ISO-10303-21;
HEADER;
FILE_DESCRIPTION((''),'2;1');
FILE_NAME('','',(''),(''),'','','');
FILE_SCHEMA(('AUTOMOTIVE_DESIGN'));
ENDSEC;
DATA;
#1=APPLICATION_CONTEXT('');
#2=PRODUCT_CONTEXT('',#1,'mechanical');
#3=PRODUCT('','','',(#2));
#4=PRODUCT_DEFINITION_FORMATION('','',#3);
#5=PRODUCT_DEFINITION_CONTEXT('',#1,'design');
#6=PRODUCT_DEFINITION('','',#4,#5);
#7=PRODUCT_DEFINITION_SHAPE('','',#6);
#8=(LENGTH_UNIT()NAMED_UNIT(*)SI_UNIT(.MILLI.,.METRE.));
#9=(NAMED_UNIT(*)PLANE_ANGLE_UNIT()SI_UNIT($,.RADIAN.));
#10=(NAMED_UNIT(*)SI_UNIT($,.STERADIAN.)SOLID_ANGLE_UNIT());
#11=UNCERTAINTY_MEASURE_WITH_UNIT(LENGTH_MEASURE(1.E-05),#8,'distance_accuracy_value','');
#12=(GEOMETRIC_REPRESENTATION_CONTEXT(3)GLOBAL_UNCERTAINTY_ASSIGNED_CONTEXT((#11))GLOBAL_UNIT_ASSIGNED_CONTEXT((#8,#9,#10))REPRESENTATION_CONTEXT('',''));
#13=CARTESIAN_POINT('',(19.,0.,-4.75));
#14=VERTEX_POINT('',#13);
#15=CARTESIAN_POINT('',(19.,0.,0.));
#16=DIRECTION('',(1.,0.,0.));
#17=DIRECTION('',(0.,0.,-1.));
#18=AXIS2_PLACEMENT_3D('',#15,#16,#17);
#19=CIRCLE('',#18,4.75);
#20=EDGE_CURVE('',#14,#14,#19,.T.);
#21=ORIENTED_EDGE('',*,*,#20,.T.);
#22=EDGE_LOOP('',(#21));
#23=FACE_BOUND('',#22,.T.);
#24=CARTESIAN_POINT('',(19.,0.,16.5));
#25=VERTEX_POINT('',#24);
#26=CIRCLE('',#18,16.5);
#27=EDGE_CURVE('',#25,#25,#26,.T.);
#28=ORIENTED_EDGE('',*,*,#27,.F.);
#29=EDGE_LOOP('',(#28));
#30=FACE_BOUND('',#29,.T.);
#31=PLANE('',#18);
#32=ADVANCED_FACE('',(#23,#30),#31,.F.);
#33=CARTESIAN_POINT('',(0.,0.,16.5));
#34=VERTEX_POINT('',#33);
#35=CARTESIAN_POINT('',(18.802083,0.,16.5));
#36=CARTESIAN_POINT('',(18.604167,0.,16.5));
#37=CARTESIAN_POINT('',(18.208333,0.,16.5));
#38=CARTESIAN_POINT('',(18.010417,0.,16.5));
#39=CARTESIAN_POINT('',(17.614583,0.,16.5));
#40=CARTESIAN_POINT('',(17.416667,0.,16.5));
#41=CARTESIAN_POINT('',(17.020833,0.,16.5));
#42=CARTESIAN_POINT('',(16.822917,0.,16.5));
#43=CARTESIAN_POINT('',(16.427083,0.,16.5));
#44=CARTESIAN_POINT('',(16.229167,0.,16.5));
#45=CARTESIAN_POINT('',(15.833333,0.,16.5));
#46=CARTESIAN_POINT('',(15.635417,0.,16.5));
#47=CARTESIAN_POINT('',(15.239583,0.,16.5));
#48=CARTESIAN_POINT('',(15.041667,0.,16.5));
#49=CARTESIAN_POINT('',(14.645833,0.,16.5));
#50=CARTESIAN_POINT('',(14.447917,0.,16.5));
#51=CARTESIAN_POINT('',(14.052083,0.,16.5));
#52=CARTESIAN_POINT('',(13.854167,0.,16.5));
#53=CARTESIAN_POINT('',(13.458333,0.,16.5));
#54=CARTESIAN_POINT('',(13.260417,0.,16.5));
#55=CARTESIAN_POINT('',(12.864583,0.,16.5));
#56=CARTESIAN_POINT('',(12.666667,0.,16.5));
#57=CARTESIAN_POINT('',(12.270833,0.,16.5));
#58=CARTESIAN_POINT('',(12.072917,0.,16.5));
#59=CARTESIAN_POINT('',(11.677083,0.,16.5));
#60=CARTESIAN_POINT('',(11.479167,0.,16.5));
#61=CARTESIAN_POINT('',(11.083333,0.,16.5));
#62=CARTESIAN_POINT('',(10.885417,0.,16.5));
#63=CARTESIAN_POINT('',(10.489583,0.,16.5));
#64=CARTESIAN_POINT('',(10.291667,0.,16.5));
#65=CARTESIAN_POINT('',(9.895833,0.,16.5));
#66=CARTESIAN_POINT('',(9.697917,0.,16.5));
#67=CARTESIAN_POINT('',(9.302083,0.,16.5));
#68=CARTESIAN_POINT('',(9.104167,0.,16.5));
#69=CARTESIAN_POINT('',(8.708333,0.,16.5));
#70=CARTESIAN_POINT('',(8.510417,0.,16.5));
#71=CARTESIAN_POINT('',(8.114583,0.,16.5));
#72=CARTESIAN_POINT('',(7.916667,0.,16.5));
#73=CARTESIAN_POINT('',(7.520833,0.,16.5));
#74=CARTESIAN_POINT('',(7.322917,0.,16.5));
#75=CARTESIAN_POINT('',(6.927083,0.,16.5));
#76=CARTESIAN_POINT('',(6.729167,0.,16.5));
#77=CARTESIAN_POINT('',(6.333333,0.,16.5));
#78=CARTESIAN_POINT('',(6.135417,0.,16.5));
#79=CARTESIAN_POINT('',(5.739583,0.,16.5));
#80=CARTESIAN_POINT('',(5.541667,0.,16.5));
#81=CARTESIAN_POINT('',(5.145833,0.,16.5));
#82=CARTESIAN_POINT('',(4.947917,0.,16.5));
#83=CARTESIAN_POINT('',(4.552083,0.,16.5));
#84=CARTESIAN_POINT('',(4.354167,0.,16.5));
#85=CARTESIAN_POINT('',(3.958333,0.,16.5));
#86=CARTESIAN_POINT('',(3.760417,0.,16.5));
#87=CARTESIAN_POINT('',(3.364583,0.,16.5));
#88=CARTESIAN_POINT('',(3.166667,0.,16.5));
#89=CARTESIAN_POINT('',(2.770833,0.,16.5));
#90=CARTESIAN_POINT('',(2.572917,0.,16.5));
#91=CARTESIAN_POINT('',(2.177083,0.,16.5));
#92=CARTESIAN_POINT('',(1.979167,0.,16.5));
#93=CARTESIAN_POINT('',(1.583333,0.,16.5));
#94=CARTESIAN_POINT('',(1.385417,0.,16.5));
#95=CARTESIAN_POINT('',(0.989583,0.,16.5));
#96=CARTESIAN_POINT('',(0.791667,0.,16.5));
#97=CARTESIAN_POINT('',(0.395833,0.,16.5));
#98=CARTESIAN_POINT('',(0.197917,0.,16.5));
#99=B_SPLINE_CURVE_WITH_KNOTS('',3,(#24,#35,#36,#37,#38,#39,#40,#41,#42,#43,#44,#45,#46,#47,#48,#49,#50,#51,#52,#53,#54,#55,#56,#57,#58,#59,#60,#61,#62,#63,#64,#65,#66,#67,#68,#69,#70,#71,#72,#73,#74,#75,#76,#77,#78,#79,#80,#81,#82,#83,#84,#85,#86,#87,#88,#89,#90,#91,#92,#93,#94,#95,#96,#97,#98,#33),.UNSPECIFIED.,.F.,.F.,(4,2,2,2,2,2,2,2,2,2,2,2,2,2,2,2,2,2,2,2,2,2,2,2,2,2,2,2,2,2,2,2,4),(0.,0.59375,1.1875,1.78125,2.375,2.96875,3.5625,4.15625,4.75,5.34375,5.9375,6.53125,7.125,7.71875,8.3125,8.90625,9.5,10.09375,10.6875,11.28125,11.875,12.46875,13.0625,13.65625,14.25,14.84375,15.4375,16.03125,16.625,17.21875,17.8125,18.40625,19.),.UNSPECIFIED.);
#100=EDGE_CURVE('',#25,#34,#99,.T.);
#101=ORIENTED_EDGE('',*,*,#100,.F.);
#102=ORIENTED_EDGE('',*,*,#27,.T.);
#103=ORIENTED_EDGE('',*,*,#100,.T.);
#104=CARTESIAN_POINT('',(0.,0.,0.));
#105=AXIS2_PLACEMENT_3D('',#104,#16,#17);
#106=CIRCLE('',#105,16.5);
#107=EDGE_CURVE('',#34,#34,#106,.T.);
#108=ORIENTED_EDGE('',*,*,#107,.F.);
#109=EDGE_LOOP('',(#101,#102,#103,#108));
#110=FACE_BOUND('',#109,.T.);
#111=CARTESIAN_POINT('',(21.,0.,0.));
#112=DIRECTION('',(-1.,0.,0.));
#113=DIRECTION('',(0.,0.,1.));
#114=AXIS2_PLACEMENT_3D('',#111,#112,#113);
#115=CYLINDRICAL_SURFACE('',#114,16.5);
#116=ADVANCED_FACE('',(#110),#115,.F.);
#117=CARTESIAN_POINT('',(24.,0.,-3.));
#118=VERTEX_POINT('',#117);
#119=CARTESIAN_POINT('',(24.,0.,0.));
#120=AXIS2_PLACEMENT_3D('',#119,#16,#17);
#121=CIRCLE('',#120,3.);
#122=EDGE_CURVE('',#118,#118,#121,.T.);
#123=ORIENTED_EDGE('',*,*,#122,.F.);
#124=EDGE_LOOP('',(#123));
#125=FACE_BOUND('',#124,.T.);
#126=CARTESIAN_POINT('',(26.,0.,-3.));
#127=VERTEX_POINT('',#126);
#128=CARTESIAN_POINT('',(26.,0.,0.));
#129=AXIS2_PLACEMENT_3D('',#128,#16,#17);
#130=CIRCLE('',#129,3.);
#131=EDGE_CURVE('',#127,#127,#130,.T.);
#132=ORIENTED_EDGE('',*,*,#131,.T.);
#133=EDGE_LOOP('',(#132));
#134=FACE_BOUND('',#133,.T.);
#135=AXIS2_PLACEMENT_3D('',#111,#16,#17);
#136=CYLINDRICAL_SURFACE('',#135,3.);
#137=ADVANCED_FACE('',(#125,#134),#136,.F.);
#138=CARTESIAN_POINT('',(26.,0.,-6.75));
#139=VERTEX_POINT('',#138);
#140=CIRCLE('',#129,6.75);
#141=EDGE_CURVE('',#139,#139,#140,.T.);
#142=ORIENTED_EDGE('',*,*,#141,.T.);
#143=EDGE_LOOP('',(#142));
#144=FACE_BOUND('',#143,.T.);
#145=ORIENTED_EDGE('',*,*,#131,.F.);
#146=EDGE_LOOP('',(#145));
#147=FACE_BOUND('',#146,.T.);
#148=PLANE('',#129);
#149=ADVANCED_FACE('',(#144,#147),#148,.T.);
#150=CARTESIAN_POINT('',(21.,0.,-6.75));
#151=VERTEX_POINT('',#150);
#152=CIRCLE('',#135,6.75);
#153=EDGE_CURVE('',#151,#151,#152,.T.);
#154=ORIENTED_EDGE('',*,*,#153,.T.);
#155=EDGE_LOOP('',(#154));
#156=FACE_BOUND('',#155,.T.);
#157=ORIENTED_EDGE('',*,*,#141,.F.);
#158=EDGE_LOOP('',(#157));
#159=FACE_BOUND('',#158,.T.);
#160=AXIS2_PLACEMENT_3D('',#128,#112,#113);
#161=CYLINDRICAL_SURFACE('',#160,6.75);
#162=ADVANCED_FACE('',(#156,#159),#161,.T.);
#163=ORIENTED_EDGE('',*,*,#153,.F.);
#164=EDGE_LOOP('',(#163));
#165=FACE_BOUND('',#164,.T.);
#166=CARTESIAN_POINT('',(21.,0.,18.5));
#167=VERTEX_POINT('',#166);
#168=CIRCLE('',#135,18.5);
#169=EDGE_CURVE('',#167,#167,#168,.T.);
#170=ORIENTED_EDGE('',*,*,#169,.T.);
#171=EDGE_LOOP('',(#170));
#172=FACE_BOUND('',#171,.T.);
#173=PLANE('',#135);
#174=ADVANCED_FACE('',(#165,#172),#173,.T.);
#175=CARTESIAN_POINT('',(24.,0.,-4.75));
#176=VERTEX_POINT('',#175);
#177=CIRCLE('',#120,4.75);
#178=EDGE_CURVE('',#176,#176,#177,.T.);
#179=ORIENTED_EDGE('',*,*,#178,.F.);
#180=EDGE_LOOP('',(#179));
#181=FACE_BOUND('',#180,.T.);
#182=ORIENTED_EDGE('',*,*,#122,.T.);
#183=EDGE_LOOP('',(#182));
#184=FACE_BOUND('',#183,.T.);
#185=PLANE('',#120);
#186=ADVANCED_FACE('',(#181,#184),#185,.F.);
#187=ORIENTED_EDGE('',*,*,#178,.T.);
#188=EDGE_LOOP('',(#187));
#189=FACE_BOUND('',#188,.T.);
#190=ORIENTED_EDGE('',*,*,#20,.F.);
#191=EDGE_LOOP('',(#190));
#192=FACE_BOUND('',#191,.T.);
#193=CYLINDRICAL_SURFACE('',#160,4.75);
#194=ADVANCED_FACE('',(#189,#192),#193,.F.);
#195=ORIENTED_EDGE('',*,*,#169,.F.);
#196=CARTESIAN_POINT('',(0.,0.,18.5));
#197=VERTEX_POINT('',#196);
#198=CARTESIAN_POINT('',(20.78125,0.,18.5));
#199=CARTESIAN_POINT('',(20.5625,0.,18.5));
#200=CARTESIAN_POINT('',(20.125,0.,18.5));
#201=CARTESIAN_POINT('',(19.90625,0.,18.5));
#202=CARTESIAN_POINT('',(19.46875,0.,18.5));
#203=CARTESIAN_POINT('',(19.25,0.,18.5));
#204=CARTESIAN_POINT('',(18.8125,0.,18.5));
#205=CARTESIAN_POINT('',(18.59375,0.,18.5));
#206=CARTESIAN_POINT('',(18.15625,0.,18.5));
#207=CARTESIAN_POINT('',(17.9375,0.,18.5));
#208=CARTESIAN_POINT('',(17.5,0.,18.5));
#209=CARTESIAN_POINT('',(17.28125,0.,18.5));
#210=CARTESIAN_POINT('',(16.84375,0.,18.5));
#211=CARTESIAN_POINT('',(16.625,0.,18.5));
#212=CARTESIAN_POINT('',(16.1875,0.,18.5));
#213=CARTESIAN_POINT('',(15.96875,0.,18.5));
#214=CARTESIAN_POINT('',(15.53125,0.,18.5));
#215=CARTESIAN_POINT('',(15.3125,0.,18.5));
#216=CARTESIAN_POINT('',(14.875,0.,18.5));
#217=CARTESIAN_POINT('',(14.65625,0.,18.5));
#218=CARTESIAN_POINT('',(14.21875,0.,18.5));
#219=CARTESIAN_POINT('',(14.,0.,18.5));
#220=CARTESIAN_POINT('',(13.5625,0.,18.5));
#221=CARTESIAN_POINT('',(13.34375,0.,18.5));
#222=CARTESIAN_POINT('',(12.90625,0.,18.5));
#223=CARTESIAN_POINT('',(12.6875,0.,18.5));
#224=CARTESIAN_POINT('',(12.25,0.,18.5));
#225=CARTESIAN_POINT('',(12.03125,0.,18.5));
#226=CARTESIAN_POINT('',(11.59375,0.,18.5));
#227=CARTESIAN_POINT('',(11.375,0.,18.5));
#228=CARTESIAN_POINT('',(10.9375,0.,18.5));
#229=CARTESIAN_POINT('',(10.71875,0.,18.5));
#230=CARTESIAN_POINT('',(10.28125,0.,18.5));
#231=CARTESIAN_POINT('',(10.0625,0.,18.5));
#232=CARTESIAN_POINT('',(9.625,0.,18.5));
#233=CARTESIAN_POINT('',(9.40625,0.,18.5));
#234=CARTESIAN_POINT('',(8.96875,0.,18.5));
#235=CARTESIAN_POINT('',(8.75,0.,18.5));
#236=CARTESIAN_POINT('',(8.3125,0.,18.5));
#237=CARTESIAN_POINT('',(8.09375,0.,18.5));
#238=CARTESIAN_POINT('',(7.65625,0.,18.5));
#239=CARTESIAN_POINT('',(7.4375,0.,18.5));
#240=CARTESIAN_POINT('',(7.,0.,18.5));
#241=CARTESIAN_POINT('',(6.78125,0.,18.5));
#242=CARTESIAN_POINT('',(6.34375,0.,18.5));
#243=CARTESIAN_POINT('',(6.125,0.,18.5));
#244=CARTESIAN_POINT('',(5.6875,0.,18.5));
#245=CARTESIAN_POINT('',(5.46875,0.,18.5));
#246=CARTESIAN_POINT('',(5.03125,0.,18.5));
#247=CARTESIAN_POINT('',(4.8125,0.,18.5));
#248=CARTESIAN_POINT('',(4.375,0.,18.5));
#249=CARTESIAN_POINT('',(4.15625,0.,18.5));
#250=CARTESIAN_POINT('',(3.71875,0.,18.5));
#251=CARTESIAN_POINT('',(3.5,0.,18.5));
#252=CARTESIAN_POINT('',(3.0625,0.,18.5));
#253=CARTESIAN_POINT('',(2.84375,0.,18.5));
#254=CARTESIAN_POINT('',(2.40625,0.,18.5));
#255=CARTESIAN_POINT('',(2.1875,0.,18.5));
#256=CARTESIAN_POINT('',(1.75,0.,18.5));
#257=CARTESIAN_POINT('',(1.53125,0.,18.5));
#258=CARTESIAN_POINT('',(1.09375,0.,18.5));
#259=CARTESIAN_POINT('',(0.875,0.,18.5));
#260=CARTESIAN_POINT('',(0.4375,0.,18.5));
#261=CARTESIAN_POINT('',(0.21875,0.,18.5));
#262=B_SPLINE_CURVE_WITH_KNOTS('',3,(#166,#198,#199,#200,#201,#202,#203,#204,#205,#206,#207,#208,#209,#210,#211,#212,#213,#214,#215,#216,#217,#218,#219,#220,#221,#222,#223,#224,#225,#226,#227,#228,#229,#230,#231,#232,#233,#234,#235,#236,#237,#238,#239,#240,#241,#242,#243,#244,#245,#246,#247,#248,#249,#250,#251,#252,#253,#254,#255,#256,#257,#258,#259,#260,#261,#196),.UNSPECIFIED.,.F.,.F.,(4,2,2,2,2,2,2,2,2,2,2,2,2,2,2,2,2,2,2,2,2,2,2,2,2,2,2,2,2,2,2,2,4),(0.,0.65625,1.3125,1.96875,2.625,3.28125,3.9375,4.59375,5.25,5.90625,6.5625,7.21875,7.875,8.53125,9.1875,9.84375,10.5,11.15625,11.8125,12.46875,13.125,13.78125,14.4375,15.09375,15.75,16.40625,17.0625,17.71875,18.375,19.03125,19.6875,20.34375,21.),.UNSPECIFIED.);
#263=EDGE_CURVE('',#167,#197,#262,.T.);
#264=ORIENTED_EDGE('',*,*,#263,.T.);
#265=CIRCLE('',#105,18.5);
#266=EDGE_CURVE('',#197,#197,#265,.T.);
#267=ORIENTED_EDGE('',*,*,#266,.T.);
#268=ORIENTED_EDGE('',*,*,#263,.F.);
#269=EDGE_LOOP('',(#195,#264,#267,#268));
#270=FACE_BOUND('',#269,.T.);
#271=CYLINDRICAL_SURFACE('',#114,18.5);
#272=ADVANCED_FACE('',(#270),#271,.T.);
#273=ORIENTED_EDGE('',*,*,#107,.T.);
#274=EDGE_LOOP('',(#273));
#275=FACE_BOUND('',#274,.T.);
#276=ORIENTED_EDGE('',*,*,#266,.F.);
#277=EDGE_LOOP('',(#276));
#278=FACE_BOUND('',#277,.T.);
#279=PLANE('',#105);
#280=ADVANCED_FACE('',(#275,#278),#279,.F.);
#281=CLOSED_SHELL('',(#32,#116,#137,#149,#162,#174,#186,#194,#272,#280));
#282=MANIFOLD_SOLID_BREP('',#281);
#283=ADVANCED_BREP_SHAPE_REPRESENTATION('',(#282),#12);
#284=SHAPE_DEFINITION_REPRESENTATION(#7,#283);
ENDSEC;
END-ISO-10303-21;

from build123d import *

# Parameters (mm, degrees)
SKETCH1_R           = 18.5
BOSS_EXTRUDE1_DEPTH = 21
SKETCH2_R           = 6.75
BOSS_EXTRUDE2_DEPTH = 5
SHELL1_T            = -2
SKETCH3_R           = 3
CUT_EXTRUDE1_DEPTH  = 5


with BuildPart() as part:
    # Sketch1 → Boss-Extrude1 (new body)
    with BuildSketch(Plane(origin=(0, 0, 0), x_dir=(0, 0, -1), z_dir=(1, 0, 0))):
        Circle(SKETCH1_R)
    extrude(amount=BOSS_EXTRUDE1_DEPTH)

    # Sketch2 → Boss-Extrude2 (add)
    with BuildSketch(Plane(origin=(21, 0, 0), x_dir=(0, 0, -1), z_dir=(1, 0, 0))):
        Circle(SKETCH2_R)
    extrude(amount=BOSS_EXTRUDE2_DEPTH)

    # Shell1
    shell1_openings = [part.faces().sort_by_distance(p)[0] for p in [
        (0, 0, 0),
    ]]
    offset(amount=SHELL1_T, openings=shell1_openings, kind=Kind.INTERSECTION)

    # Sketch3 → Cut-Extrude1 (cut)
    with BuildSketch(Plane(origin=(26, 0, 0), x_dir=(0, 0, -1), z_dir=(1, 0, 0))):
        Circle(SKETCH3_R)
    extrude(amount=-CUT_EXTRUDE1_DEPTH, mode=Mode.SUBTRACT)


solid = part.part
